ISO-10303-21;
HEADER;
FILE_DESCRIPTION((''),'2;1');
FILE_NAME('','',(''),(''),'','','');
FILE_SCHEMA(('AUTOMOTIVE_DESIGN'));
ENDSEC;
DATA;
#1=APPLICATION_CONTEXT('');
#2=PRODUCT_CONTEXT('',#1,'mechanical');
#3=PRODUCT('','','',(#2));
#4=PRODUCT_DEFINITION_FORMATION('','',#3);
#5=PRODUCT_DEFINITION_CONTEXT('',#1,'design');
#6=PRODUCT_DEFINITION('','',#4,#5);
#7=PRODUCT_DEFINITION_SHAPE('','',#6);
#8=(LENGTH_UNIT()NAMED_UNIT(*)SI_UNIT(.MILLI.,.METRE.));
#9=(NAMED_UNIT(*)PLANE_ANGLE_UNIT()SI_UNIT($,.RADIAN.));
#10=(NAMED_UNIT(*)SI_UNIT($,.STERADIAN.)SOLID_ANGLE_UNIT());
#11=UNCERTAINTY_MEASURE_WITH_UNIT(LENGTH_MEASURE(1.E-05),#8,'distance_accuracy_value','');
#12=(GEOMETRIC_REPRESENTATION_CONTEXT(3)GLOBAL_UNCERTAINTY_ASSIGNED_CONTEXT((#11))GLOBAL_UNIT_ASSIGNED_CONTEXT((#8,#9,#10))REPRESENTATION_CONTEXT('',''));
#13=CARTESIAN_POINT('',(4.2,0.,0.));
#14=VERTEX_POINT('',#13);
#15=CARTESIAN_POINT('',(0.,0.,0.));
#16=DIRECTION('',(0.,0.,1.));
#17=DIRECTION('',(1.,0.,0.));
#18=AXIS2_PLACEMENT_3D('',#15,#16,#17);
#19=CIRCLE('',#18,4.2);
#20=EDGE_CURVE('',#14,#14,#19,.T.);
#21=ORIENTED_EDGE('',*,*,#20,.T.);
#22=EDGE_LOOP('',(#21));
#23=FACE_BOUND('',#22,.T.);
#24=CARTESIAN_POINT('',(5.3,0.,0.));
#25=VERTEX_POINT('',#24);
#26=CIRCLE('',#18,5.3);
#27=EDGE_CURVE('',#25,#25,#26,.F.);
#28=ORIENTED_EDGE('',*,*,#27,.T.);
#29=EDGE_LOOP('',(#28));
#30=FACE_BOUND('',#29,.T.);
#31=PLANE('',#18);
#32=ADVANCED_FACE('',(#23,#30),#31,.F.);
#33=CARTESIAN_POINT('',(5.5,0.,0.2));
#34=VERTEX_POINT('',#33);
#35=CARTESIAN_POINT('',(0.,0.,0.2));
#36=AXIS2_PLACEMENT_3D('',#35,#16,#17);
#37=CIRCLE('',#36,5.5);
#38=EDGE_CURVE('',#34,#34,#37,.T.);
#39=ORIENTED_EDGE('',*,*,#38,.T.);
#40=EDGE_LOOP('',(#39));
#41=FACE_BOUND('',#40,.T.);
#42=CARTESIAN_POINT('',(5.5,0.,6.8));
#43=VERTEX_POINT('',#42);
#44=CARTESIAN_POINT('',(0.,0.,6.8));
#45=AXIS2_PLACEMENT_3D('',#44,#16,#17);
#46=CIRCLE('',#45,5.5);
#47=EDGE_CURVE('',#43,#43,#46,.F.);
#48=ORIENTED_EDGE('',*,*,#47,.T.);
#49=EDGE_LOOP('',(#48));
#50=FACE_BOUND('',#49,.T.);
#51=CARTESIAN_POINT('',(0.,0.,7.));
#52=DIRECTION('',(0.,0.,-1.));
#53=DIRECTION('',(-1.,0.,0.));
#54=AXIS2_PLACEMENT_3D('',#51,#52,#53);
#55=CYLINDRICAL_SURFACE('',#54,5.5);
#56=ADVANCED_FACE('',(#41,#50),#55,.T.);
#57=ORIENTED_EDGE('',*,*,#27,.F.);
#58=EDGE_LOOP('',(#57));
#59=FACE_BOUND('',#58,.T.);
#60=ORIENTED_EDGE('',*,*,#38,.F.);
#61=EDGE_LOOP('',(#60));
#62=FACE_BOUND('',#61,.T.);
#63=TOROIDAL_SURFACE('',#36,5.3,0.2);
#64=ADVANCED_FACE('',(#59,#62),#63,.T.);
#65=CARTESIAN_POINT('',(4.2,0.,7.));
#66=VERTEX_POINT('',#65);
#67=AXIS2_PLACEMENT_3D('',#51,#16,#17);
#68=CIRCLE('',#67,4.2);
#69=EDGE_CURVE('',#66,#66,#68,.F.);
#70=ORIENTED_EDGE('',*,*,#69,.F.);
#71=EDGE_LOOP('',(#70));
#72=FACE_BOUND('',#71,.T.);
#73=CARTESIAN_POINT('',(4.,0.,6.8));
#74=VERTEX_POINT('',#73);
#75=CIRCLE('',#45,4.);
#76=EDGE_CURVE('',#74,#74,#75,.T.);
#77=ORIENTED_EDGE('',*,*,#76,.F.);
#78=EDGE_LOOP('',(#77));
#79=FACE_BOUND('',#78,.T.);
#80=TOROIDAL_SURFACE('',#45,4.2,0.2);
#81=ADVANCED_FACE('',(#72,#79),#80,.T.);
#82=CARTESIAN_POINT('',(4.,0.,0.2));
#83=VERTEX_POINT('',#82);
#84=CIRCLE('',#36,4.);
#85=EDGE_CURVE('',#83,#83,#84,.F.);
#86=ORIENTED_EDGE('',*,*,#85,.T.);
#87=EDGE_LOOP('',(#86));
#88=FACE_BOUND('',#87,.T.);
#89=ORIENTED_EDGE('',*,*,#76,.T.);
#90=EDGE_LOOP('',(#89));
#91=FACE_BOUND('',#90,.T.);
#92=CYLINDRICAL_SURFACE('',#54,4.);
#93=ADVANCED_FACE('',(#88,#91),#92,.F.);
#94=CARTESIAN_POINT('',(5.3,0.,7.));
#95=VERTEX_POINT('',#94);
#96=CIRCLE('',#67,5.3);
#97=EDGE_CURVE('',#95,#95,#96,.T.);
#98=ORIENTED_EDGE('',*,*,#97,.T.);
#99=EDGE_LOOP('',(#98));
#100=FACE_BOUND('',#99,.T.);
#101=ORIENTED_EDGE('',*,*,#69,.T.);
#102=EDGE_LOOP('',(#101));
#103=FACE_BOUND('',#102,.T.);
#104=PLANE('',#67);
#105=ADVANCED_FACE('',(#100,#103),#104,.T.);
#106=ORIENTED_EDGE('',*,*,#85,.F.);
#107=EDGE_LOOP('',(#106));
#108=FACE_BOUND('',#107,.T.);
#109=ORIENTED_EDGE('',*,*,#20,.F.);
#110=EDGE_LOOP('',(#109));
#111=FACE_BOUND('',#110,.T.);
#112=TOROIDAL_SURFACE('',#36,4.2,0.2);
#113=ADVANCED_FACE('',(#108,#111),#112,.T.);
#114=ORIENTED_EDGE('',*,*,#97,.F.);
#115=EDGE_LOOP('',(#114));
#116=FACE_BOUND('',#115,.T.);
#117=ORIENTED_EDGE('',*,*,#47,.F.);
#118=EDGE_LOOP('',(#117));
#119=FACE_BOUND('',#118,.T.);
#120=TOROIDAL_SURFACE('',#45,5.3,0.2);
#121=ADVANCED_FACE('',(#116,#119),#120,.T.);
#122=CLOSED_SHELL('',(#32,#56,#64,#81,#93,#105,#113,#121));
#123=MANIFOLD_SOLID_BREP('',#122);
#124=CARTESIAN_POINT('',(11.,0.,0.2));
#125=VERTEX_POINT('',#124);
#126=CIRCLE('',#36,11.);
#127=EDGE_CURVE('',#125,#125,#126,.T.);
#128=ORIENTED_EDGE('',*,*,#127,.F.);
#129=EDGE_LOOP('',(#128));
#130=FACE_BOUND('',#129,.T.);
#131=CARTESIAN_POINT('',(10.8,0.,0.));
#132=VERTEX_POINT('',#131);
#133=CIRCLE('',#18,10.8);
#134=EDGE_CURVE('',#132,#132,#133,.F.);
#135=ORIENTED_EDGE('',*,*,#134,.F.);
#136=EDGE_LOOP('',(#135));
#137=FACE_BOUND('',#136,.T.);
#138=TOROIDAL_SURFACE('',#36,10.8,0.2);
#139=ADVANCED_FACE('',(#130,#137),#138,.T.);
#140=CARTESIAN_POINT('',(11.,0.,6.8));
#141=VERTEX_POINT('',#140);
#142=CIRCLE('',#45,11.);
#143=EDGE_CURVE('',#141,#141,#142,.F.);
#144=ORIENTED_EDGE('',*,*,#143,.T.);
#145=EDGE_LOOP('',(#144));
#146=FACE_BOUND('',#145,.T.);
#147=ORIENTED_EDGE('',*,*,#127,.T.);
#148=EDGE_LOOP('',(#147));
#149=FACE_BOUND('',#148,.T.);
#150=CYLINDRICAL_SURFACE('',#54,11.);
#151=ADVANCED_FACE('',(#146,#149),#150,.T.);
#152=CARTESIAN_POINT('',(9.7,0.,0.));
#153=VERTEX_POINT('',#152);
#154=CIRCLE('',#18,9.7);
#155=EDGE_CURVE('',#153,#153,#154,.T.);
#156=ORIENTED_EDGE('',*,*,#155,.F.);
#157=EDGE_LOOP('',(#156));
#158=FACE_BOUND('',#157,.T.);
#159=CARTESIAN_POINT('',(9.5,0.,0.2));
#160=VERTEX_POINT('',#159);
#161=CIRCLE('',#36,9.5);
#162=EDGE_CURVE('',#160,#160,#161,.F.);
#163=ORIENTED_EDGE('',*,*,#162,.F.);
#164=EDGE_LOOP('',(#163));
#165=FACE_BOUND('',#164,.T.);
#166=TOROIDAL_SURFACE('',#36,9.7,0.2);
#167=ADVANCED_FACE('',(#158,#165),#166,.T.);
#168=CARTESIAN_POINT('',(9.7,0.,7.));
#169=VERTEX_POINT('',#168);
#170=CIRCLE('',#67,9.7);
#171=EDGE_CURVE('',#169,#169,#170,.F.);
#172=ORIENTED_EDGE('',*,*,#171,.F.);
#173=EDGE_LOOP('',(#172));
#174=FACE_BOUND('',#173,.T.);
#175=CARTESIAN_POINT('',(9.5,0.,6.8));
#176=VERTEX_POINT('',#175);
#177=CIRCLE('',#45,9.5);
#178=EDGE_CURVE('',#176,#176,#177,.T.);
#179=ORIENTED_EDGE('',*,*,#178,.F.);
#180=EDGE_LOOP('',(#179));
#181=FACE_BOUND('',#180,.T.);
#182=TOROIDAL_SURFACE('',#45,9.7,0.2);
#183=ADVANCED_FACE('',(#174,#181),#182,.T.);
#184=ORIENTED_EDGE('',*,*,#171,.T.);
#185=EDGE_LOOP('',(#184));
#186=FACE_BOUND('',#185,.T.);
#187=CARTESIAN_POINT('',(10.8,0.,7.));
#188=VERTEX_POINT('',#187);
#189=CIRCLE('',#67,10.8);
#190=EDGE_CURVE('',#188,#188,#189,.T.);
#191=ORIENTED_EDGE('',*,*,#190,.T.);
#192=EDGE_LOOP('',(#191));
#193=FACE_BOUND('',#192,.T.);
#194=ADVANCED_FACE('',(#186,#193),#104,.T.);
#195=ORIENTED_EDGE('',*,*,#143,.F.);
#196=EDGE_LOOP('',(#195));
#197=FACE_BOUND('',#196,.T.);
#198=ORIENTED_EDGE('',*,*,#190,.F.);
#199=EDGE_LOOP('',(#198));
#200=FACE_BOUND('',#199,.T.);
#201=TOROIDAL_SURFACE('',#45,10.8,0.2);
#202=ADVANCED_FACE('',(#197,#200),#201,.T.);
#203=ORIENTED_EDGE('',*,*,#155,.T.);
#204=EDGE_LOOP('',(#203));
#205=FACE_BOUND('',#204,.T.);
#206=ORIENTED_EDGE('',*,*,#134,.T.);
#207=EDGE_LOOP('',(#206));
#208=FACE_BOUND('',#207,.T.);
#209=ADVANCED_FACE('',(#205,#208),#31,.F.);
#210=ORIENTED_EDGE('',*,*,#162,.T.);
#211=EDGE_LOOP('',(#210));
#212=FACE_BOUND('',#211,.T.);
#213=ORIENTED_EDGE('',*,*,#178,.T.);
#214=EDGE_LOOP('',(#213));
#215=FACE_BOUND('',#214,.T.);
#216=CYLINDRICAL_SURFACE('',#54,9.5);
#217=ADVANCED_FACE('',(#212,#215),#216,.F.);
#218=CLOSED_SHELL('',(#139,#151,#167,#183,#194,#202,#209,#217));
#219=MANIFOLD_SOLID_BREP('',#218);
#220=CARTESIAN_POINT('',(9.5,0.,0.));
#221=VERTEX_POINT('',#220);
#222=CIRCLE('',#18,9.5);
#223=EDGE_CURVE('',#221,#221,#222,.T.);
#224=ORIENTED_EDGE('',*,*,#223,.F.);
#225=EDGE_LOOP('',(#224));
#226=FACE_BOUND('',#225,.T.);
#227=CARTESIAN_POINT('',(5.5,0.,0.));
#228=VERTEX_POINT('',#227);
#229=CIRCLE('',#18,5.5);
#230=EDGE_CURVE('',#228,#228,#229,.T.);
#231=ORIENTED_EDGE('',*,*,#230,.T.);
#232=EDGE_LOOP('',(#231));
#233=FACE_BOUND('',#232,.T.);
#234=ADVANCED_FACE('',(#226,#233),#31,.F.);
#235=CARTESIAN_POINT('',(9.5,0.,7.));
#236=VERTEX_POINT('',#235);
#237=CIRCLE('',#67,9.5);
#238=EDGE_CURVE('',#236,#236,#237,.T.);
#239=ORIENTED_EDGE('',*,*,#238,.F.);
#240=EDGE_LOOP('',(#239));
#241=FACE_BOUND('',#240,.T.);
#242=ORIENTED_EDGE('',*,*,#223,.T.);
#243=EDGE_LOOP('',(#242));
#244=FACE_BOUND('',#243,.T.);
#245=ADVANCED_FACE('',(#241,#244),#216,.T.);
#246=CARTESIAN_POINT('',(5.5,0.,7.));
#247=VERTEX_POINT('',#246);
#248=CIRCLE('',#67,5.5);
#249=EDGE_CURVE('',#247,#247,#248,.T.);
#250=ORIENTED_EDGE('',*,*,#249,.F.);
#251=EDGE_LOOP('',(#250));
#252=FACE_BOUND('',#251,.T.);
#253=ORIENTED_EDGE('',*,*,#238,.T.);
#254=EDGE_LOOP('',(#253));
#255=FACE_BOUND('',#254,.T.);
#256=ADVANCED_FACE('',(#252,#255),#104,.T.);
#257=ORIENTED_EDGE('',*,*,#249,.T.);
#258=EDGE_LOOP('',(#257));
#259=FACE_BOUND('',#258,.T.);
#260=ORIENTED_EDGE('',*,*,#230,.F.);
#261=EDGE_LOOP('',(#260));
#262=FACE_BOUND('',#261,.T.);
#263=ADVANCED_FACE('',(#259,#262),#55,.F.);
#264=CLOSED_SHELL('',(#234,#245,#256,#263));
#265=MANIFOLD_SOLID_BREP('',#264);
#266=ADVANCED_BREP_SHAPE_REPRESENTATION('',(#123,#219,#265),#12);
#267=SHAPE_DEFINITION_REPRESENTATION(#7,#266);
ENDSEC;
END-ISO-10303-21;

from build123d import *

# Parameters (mm, degrees)
SKETCH1_R             = 11
SKETCH1_R_2           = 9.5
BOSS_EXTRUDE1_DEPTH   = 7
SKETCH1_R_3           = 5.5
SKETCH1_R_4           = 4
BOSS_EXTRUDE1_2_DEPTH = 7
SKETCH1_3_R           = 9.5
SKETCH1_3_R_2         = 5.5
BOSS_EXTRUDE2_DEPTH   = 7
FILLET1_R             = 0.2
FILLET2_R             = 0.2


with BuildPart() as part:
    # Sketch1 → Boss-Extrude1 (new body)
    with BuildSketch(Plane.XY):
        Circle(SKETCH1_R)
        Circle(SKETCH1_R_2, mode=Mode.SUBTRACT)
    extrude(amount=BOSS_EXTRUDE1_DEPTH)

    # Fillet1
    fillet1_edges = [part.edges().sort_by_distance(p)[0] for p in [
        (-11, 0, 0),
        (-9.5, 0, 0),
        (-9.5, 0, 7),
        (-11, 0, 7),
    ]]
    fillet(fillet1_edges, radius=FILLET1_R)


with BuildPart() as body_2:
    # Sketch1 → Boss-Extrude1 2 (new body)
    with BuildSketch(Plane.XY):
        Circle(SKETCH1_R_3)
        Circle(SKETCH1_R_4, mode=Mode.SUBTRACT)
    extrude(amount=BOSS_EXTRUDE1_2_DEPTH)

    # Fillet2
    fillet2_edges = [body_2.edges().sort_by_distance(p)[0] for p in [
        (-5.5, 0, 0),
        (-4, 0, 0),
        (-4, 0, 7),
        (-5.5, 0, 7),
    ]]
    fillet(fillet2_edges, radius=FILLET2_R)


with BuildPart() as body_3:
    # Sketch1<3> → Boss-Extrude2 (new body)
    with BuildSketch(Plane.XY):
        Circle(SKETCH1_3_R)
        Circle(SKETCH1_3_R_2, mode=Mode.SUBTRACT)
    extrude(amount=BOSS_EXTRUDE2_DEPTH)


solid = Compound([part.part, body_2.part, body_3.part])
